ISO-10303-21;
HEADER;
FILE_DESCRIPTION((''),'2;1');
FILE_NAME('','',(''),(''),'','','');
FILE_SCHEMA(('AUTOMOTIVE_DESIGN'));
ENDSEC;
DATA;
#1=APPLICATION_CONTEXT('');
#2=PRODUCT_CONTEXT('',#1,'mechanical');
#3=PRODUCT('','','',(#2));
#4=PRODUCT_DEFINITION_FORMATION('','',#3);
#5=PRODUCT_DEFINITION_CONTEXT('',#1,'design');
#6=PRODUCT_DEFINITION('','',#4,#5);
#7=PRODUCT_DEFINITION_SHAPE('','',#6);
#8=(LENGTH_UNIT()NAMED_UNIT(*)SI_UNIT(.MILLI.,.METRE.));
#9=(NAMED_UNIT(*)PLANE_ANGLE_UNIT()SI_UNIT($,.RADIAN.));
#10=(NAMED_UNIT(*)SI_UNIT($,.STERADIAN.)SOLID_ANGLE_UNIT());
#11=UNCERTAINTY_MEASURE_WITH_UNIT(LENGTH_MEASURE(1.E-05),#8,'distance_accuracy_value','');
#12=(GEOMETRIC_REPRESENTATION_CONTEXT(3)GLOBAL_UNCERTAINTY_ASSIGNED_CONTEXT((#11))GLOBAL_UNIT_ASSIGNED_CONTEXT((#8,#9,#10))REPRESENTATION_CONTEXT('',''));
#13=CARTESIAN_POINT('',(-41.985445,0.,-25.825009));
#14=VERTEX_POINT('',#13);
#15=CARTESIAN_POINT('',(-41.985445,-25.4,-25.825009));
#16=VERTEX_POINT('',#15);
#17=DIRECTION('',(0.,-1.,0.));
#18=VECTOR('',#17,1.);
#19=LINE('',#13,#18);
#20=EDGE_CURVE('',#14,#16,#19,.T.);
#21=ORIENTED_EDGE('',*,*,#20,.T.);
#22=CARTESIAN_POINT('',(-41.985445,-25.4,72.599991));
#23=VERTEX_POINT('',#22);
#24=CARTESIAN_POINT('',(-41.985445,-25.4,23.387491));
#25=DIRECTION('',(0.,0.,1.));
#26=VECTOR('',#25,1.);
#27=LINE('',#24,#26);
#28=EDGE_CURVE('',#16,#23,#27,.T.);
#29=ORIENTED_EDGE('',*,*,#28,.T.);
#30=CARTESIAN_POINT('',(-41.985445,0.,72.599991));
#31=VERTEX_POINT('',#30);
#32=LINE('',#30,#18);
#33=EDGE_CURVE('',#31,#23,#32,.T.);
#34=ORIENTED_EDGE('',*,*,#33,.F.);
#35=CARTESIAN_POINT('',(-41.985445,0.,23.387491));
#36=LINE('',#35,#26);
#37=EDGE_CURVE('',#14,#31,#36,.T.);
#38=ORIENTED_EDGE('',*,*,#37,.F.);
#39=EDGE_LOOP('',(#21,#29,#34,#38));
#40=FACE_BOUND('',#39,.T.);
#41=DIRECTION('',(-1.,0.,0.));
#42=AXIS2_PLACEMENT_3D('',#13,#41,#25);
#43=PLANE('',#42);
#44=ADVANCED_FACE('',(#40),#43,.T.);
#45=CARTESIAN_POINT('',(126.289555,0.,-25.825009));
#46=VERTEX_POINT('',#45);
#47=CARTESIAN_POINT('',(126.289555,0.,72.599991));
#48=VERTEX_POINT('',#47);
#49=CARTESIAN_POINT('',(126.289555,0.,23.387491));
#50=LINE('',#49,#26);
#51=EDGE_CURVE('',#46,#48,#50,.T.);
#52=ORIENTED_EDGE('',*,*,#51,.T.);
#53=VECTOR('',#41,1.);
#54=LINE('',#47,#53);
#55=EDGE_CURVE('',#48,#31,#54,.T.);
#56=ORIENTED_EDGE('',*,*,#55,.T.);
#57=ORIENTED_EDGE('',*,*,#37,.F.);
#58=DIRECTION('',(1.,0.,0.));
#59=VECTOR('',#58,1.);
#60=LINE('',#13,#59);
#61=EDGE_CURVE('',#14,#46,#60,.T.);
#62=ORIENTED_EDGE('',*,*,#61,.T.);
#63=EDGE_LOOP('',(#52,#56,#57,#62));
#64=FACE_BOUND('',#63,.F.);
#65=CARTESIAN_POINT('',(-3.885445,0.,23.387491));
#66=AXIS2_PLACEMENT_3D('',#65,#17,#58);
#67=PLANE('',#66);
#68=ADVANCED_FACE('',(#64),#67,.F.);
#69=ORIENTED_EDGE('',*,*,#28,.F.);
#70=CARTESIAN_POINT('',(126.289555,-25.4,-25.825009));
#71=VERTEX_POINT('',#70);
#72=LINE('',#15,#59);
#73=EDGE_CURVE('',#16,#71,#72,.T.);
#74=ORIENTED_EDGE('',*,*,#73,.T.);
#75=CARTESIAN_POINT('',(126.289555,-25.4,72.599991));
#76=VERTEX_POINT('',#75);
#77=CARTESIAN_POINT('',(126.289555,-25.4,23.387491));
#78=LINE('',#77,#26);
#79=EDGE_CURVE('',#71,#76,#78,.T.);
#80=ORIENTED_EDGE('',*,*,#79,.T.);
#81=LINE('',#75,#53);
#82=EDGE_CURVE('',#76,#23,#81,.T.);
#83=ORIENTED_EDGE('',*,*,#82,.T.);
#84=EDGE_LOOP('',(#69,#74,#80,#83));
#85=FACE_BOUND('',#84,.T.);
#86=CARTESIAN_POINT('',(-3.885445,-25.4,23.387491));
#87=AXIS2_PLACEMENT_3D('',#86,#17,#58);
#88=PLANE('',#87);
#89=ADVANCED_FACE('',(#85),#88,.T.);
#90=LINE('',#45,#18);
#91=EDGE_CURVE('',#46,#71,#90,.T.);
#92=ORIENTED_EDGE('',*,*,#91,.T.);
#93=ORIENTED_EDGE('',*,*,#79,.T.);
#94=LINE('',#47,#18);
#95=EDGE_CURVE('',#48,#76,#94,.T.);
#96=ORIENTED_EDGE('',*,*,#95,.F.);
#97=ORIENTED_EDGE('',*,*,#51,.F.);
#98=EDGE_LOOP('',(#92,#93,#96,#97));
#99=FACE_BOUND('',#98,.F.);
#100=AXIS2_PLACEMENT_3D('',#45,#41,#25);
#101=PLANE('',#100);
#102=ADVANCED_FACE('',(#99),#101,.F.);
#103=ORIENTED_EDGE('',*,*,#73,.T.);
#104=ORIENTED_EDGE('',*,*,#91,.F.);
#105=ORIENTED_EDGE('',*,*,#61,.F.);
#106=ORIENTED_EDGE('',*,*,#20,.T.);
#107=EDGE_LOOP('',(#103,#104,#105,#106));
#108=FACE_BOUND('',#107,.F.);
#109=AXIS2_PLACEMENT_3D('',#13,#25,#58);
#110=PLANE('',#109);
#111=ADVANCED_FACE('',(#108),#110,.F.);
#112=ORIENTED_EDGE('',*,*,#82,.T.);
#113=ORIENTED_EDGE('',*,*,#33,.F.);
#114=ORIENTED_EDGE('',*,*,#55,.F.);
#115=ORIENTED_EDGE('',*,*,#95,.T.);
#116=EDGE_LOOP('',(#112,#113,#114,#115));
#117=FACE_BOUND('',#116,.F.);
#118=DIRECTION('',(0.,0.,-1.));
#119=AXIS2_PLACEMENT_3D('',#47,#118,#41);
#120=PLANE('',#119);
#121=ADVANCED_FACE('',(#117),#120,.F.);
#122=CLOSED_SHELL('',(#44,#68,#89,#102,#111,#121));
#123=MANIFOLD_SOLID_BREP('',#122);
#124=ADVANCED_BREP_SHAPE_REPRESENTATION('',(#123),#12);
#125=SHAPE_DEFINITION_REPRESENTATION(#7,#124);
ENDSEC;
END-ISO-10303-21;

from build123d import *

# Parameters (mm, degrees)
F0_W     = 76.2
F0_H     = 98.425
F0_W_2   = 92.075
F1_DEPTH = 25.4


with BuildPart() as f1:
    # F0 (on Front) → F1 (new body)
    with BuildSketch(Plane.XZ):
        with Locations((-3.885445, 23.387491)):
            Rectangle(F0_W, F0_H)
        with Locations((80.252055, 23.387491)):
            Rectangle(F0_W_2, F0_H)
    extrude(amount=F1_DEPTH)


solid = f1.part
